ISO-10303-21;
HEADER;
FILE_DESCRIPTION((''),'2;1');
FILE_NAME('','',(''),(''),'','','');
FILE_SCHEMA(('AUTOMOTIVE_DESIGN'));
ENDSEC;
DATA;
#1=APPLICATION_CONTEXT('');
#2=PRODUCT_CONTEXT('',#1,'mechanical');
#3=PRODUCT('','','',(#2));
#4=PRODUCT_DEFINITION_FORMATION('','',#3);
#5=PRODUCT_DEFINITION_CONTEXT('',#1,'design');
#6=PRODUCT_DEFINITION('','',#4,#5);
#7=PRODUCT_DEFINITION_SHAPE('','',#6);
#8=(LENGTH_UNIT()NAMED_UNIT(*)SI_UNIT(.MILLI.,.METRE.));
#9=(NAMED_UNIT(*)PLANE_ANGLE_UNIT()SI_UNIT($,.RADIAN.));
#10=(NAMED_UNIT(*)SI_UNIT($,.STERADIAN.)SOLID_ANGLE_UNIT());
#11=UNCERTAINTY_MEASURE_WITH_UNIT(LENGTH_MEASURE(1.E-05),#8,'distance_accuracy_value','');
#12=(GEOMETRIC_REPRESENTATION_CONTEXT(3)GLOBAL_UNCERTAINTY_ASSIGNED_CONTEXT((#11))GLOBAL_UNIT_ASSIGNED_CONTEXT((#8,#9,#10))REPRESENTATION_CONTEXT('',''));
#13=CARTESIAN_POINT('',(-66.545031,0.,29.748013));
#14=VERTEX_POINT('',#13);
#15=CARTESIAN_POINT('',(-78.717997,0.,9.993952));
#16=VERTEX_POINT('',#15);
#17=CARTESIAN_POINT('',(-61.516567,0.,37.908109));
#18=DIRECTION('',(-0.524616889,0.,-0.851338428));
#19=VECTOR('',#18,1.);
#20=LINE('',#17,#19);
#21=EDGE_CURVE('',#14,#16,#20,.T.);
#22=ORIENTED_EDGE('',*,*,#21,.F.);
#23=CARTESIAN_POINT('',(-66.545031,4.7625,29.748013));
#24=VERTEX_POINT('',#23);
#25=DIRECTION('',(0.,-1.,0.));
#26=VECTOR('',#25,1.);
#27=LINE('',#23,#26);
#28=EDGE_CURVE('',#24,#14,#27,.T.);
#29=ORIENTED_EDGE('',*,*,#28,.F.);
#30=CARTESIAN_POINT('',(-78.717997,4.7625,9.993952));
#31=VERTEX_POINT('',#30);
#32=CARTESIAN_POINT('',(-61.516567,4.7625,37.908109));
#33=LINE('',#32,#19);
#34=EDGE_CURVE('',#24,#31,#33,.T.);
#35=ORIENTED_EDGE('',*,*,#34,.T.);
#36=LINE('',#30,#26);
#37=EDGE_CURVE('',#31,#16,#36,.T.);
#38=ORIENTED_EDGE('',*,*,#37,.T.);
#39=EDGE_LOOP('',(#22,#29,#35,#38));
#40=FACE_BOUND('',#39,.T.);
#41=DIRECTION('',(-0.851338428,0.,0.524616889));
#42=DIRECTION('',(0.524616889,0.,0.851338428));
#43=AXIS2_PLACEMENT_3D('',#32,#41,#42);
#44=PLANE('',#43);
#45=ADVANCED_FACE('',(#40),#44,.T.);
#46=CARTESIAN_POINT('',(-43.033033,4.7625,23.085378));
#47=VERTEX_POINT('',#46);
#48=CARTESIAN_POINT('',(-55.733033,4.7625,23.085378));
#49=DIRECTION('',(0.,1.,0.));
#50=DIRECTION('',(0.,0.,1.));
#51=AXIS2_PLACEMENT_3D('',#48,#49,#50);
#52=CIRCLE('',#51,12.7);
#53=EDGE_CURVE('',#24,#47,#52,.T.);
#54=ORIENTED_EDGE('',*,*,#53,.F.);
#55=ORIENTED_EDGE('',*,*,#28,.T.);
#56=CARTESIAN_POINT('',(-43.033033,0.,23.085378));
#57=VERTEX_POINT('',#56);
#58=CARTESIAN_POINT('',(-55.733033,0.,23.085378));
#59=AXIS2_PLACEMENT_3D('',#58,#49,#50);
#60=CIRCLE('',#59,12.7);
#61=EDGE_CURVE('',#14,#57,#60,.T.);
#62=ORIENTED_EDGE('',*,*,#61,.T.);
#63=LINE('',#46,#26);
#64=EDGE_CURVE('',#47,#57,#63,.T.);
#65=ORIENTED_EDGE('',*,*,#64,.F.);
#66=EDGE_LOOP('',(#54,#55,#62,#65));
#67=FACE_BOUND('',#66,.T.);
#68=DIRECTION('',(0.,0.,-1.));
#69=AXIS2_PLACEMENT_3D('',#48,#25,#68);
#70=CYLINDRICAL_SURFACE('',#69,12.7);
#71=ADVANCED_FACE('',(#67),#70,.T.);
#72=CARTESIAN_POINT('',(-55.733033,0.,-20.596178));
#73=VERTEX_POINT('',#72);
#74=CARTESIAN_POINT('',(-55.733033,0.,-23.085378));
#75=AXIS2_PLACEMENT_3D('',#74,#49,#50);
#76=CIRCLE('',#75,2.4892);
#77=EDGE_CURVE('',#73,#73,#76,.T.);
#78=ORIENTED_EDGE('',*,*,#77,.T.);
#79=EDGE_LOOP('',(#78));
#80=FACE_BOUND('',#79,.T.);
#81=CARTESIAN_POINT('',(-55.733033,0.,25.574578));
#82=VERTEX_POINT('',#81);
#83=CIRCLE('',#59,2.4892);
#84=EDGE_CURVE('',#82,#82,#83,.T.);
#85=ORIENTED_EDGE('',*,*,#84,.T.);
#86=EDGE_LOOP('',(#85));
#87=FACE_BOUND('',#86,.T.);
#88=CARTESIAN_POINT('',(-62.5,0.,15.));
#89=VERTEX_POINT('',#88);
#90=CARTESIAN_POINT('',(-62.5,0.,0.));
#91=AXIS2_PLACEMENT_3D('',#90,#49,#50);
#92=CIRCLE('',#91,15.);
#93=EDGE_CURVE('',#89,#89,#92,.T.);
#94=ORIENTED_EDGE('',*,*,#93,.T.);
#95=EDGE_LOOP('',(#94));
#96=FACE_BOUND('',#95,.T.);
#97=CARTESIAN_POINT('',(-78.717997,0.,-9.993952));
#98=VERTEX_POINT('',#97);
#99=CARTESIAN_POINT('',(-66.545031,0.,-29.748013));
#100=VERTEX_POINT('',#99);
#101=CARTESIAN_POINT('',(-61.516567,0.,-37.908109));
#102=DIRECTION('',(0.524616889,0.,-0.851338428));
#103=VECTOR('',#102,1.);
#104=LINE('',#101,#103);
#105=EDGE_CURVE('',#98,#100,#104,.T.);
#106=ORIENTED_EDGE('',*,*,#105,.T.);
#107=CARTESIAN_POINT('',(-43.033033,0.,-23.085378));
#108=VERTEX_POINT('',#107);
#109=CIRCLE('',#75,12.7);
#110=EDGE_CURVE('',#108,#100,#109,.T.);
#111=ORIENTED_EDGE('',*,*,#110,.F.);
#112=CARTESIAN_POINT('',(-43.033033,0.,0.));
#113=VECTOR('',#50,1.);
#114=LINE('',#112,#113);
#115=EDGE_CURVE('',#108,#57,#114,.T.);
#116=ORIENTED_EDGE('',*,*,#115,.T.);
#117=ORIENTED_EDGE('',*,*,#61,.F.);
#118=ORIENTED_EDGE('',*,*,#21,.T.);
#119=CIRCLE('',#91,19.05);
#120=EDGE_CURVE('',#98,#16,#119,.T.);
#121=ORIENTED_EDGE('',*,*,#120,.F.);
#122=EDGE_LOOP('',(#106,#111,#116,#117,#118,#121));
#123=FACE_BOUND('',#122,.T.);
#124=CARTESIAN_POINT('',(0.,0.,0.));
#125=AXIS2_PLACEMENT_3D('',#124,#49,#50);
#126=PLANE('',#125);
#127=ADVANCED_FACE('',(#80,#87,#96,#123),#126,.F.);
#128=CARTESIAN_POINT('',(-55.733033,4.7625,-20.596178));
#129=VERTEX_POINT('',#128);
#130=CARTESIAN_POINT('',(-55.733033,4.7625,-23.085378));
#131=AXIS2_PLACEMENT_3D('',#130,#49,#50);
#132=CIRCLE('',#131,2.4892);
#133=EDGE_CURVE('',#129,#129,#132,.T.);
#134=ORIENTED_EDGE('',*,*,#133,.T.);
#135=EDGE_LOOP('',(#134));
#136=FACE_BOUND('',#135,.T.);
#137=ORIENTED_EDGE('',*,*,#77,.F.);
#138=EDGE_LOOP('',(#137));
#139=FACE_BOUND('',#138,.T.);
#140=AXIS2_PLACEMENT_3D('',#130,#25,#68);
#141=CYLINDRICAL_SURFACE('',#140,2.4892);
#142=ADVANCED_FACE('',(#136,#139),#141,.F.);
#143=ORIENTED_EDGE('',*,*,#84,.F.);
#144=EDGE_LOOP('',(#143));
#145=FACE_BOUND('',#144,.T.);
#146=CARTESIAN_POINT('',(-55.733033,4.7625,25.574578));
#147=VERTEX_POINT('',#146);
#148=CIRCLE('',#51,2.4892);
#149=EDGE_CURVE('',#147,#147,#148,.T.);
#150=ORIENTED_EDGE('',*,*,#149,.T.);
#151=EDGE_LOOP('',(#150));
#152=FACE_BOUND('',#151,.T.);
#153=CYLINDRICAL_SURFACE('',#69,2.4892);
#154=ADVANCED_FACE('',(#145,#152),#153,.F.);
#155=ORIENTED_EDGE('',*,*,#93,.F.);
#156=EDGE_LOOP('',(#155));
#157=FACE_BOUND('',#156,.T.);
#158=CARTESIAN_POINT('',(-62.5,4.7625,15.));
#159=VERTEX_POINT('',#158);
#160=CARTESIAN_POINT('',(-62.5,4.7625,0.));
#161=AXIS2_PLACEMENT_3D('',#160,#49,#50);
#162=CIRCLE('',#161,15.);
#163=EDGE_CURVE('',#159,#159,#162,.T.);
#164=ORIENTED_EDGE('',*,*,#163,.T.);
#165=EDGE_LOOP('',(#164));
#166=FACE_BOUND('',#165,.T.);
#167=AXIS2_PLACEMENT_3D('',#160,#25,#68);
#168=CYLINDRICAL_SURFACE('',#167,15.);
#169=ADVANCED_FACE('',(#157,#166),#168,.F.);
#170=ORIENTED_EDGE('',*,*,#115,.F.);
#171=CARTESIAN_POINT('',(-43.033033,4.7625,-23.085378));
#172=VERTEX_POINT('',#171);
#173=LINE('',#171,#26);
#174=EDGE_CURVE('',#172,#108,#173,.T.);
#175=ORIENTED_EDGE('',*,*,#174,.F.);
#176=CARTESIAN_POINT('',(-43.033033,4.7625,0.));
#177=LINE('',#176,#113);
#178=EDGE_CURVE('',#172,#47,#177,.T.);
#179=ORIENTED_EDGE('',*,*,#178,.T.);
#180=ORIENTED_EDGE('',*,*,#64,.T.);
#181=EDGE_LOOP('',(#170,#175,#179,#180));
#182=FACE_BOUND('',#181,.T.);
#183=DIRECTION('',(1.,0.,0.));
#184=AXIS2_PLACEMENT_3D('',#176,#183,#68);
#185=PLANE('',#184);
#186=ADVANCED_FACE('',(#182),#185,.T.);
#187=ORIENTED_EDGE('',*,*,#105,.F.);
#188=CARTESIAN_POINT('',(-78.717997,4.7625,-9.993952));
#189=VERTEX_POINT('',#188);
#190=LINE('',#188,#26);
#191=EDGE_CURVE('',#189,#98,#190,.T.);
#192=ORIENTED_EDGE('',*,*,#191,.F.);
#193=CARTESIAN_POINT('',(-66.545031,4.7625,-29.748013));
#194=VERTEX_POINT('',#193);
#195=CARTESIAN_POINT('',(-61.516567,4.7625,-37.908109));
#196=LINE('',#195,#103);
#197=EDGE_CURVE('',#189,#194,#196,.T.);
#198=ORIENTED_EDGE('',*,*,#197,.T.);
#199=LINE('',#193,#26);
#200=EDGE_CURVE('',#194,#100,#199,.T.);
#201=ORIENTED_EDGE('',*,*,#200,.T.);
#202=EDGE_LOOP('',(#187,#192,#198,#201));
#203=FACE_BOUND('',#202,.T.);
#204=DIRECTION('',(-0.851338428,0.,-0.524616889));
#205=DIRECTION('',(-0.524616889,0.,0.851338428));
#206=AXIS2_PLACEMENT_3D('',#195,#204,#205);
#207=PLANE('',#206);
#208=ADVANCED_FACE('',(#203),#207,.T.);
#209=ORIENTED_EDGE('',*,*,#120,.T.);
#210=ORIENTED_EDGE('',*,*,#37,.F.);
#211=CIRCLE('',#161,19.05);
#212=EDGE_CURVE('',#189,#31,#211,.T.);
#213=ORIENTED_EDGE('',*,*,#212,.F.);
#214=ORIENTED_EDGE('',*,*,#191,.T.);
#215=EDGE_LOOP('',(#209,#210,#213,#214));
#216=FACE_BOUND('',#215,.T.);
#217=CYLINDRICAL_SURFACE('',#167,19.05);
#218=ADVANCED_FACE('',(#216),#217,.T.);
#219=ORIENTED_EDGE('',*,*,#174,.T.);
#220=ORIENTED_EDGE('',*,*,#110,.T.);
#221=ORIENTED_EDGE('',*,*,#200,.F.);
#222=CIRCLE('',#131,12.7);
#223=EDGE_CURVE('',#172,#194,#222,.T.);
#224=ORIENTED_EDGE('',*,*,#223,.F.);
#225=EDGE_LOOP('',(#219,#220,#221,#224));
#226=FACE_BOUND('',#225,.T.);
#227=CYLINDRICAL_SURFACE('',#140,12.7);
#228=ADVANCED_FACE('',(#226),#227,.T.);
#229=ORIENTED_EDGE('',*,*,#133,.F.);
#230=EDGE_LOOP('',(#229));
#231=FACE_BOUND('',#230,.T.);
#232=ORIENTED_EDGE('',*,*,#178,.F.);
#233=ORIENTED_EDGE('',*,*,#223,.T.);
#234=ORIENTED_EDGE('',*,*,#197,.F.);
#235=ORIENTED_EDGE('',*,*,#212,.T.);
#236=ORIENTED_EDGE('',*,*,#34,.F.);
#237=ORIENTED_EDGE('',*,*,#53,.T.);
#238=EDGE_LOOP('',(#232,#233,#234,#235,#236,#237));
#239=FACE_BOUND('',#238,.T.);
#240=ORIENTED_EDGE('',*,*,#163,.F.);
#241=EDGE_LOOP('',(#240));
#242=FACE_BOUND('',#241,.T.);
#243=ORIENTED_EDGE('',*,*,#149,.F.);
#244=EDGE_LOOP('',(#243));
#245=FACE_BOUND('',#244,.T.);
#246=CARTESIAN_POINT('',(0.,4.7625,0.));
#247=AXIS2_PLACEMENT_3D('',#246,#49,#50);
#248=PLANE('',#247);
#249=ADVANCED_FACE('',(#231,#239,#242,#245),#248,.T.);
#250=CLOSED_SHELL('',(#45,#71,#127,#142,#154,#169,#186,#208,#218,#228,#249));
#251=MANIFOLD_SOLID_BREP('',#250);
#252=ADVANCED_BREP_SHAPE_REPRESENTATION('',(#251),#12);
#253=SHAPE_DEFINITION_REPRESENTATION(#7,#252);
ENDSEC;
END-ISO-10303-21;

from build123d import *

# Parameters (mm, degrees)
SKETCH1_R           = 15
SKETCH1_R_2         = 2.4892
BOSS_EXTRUDE1_DEPTH = 4.7625


with BuildPart() as part:
    # Sketch1 → Boss-Extrude1 (new body)
    with BuildSketch(Plane(origin=(0, 0, 0), x_dir=(1, 0, 0), z_dir=(0, 1, 0))):
        with BuildLine():
            Line((-66.545030839, 29.74801255), (-78.71799706, 9.993951739))
            ThreePointArc((-78.71799706, 9.993951739), (-81.55, 0), (-78.71799706, -9.993951739))
            Line((-78.71799706, -9.993951739), (-66.545030839, -29.74801255))
            ThreePointArc((-66.545030839, -29.74801255), (-52.270546345, -35.304264568), (-43.033032799, -23.085378057))
            Line((-43.033032799, -23.085378057), (-43.033032799, 23.085378057))
            ThreePointArc((-43.033032799, 23.085378057), (-52.270546345, 35.304264568), (-66.545030839, 29.74801255))
        make_face()
        with Locations((-62.5, 0)):
            Circle(SKETCH1_R, mode=Mode.SUBTRACT)
        with Locations((-55.733032799, 23.085378057)):
            Circle(SKETCH1_R_2, mode=Mode.SUBTRACT)
        with Locations((-55.733032799, -23.085378057)):
            Circle(SKETCH1_R_2, mode=Mode.SUBTRACT)
    extrude(amount=BOSS_EXTRUDE1_DEPTH)


solid = part.part
